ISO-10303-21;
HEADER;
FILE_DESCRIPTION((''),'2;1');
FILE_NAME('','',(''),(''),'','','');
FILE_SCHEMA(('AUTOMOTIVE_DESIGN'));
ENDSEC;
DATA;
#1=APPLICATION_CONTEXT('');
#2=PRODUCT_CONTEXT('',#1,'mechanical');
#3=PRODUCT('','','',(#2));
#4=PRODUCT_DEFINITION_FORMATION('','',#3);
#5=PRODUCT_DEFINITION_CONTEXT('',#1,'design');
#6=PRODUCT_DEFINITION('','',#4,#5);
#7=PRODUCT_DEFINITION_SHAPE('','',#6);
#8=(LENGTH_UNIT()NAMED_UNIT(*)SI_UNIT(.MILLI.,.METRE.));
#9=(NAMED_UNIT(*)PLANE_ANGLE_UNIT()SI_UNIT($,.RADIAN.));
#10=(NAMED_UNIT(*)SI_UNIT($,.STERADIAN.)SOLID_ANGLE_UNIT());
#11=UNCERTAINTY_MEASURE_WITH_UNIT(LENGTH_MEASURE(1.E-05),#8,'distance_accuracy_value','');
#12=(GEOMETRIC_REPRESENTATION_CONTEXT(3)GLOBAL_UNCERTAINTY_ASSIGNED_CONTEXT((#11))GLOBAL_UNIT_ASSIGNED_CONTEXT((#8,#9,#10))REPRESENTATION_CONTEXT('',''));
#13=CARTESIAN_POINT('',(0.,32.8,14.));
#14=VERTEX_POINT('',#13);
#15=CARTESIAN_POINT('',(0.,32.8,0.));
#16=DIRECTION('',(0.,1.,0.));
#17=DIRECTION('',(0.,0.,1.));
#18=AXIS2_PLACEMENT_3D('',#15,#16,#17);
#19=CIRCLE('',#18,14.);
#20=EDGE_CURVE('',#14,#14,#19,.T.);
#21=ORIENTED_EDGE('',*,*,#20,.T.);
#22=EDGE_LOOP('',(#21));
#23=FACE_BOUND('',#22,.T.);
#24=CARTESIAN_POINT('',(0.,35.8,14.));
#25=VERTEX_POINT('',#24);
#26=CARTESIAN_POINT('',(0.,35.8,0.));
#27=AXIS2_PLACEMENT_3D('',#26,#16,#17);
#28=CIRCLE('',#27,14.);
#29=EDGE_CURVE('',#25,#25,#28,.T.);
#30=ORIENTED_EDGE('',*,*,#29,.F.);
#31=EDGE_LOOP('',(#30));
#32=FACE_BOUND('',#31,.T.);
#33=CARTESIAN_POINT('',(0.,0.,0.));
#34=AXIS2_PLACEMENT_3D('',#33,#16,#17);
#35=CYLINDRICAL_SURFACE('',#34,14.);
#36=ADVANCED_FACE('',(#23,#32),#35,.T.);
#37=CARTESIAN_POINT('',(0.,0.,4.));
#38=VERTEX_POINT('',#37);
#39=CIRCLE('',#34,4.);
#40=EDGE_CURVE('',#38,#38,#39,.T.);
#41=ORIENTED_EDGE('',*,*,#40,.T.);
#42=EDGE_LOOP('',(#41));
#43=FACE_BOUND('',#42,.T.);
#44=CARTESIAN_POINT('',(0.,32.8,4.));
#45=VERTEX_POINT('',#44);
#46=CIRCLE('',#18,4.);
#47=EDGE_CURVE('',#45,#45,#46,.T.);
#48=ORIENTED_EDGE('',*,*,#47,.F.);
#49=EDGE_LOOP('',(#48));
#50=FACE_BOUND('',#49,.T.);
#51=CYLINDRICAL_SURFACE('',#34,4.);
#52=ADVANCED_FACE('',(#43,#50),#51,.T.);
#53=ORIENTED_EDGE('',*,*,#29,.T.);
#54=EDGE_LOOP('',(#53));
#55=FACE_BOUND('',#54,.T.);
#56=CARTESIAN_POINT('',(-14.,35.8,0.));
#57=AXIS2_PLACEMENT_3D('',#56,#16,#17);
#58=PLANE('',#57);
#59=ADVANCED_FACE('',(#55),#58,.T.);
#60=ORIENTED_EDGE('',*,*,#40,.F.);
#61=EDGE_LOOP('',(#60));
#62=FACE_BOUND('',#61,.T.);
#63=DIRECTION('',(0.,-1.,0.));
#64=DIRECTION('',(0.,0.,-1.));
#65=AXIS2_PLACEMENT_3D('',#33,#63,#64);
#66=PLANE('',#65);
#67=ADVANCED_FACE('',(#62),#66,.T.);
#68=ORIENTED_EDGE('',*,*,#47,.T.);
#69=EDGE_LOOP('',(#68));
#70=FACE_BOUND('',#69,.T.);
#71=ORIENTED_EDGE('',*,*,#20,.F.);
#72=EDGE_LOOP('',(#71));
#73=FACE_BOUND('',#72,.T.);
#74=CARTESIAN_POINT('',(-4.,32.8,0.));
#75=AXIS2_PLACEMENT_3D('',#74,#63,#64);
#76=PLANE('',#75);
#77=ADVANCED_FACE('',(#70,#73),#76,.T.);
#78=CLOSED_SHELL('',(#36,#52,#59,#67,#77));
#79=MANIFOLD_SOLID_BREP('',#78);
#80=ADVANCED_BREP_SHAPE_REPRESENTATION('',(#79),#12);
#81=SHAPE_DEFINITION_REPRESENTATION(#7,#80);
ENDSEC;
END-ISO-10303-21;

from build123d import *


with BuildPart() as part:
    # Schizzo1 → Rivoluzione1 (revolve)
    with BuildSketch(Plane.XY, mode=Mode.PRIVATE) as rivoluzione1_sk:
        Polygon((-4, 0), (-4, 32.8), (-14, 32.8), (-14, 35.8), (0, 35.8), (0, 0), align=None)
    revolve(rivoluzione1_sk.sketch.rotate(Axis((0, 0, 0), (0, -1, 0)), 270), axis=Axis((0, 0, 0), (0, -1, 0)))


solid = part.part
